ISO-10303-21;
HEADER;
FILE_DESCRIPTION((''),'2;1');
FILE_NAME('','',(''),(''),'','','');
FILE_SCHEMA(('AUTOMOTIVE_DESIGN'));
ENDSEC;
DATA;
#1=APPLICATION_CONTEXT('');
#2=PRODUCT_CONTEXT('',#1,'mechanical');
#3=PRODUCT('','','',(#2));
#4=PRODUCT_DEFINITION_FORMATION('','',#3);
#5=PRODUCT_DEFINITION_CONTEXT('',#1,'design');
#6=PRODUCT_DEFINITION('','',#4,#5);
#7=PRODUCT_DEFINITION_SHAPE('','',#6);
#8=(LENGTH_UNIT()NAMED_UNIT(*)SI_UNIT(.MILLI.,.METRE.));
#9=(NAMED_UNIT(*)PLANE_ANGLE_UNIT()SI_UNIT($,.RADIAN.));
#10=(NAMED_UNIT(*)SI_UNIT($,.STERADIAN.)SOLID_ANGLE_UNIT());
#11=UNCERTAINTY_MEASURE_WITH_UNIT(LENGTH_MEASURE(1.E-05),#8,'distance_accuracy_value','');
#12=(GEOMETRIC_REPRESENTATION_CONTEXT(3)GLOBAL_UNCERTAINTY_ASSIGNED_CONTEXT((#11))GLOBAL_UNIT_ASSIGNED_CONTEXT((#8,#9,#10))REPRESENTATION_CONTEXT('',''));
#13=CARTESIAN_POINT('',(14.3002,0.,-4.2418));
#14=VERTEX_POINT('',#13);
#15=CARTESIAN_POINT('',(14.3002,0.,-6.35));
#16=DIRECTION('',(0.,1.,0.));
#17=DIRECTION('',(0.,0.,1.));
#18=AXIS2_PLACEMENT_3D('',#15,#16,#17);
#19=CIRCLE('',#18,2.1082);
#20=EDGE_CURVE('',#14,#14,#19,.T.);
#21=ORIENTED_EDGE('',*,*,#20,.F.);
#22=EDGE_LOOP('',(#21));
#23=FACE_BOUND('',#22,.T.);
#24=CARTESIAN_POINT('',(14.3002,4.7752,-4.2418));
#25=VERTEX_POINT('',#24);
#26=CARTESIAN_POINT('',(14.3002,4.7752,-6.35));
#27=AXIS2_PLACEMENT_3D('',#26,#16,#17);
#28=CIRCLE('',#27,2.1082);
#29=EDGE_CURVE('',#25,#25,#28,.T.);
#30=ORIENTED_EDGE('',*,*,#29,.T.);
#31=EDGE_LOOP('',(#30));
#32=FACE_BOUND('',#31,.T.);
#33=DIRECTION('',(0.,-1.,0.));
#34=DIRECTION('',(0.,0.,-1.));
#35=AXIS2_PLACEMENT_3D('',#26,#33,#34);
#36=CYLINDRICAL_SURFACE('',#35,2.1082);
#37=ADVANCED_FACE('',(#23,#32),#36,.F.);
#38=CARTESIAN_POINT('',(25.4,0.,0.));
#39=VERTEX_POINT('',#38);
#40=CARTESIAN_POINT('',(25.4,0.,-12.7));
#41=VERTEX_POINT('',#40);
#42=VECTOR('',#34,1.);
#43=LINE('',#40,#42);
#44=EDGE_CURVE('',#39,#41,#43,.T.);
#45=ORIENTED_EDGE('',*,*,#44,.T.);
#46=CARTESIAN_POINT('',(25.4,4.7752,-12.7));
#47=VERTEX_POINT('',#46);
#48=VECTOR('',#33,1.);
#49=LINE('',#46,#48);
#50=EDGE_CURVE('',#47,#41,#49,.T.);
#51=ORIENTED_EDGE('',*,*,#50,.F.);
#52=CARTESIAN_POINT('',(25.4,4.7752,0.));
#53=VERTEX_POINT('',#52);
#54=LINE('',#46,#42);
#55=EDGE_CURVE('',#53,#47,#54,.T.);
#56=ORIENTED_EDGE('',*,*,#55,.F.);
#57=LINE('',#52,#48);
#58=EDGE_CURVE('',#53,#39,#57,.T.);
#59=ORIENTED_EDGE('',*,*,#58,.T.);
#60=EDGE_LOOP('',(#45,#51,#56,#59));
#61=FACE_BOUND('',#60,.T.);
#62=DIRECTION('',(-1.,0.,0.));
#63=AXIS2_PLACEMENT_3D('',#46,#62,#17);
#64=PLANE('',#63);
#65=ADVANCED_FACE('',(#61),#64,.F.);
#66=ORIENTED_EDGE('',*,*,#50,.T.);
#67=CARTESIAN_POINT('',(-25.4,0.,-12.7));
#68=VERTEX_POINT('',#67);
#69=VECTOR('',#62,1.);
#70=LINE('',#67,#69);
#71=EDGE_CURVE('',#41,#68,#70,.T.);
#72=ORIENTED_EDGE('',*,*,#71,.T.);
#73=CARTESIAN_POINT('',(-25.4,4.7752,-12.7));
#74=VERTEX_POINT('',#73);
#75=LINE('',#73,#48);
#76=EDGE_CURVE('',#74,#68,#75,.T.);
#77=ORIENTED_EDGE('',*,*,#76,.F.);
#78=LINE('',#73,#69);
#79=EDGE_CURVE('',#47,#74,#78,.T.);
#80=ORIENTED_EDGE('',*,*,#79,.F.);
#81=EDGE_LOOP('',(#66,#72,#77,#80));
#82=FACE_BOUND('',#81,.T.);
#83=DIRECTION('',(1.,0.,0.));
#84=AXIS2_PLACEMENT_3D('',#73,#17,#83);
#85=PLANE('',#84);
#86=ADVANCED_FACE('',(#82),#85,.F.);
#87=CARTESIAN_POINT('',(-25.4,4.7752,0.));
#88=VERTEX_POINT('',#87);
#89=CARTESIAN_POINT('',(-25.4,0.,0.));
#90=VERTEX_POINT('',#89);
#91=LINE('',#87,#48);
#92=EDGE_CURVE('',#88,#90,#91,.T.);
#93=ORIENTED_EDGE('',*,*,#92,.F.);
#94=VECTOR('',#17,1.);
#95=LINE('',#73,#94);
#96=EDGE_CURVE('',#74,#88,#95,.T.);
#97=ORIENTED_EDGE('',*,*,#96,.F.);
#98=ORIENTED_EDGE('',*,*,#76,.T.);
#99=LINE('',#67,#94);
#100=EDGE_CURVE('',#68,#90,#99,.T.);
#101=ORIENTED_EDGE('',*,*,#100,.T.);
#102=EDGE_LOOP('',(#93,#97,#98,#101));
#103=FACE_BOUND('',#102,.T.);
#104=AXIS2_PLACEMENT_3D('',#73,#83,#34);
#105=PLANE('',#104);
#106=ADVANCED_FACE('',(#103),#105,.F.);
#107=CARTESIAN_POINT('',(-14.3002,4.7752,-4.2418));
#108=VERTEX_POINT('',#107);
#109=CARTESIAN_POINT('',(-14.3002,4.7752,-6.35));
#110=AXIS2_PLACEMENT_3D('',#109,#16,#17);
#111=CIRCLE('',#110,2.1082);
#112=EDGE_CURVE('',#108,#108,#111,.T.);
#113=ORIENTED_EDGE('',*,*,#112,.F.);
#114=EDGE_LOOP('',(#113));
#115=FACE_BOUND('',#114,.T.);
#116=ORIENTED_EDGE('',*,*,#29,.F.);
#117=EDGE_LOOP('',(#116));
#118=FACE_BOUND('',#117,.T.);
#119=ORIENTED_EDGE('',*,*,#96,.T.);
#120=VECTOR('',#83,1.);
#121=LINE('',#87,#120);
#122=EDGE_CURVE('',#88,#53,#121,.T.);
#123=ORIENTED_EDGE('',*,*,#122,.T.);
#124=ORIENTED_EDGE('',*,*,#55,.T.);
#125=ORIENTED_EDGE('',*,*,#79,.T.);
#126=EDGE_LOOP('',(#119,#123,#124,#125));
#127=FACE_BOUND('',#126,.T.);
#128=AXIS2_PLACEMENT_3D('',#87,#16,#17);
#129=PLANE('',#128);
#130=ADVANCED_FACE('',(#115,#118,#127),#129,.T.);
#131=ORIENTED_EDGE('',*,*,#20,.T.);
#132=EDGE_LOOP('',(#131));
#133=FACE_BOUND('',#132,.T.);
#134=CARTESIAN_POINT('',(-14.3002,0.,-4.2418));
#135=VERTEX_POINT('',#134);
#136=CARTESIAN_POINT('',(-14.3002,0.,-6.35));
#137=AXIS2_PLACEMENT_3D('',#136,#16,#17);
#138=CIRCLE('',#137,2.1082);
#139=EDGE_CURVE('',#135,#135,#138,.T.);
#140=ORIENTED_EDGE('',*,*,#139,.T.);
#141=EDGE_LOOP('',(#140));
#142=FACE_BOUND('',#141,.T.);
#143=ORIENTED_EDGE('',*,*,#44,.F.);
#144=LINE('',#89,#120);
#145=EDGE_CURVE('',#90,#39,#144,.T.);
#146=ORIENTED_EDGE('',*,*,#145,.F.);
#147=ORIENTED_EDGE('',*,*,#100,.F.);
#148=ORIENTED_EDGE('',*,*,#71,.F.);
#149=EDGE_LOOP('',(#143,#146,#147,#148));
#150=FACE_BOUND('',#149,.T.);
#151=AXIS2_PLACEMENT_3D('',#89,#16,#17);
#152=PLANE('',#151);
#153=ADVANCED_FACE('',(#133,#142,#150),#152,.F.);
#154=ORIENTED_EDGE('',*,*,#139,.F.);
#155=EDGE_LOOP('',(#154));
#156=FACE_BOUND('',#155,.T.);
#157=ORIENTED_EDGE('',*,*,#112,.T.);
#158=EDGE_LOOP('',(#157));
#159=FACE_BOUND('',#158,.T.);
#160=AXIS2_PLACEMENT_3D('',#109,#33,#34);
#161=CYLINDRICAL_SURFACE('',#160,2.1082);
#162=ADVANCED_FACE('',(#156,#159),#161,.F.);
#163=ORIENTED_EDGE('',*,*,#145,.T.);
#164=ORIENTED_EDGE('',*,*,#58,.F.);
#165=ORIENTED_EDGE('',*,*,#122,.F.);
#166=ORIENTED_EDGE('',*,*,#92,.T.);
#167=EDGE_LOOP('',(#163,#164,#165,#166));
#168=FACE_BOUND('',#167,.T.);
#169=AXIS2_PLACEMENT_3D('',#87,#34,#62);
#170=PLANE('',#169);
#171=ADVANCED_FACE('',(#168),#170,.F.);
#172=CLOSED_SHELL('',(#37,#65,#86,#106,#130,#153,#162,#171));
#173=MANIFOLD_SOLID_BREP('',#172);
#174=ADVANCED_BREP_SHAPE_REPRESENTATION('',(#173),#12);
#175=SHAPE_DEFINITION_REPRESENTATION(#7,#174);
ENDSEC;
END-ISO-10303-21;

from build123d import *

# Parameters (mm, degrees)
SKETCH1_W           = 50.8
SKETCH1_H           = 12.7
SKETCH1_R           = 2.1082
BOSS_EXTRUDE1_DEPTH = 4.7752


with BuildPart() as part:
    # Sketch1 → Boss-Extrude1 (new body)
    with BuildSketch(Plane(origin=(0, 0, 0), x_dir=(1, 0, 0), z_dir=(0, 1, 0))):
        with Locations((0, 6.35)):
            Rectangle(SKETCH1_W, SKETCH1_H)
        with Locations(Location((14.3002, 6.35, 0), (0, 0, 270))):
            Circle(SKETCH1_R, mode=Mode.SUBTRACT)
        with Locations(Location((-14.3002, 6.35, 0), (0, 0, 270))):
            Circle(SKETCH1_R, mode=Mode.SUBTRACT)
    extrude(amount=BOSS_EXTRUDE1_DEPTH)


solid = part.part
